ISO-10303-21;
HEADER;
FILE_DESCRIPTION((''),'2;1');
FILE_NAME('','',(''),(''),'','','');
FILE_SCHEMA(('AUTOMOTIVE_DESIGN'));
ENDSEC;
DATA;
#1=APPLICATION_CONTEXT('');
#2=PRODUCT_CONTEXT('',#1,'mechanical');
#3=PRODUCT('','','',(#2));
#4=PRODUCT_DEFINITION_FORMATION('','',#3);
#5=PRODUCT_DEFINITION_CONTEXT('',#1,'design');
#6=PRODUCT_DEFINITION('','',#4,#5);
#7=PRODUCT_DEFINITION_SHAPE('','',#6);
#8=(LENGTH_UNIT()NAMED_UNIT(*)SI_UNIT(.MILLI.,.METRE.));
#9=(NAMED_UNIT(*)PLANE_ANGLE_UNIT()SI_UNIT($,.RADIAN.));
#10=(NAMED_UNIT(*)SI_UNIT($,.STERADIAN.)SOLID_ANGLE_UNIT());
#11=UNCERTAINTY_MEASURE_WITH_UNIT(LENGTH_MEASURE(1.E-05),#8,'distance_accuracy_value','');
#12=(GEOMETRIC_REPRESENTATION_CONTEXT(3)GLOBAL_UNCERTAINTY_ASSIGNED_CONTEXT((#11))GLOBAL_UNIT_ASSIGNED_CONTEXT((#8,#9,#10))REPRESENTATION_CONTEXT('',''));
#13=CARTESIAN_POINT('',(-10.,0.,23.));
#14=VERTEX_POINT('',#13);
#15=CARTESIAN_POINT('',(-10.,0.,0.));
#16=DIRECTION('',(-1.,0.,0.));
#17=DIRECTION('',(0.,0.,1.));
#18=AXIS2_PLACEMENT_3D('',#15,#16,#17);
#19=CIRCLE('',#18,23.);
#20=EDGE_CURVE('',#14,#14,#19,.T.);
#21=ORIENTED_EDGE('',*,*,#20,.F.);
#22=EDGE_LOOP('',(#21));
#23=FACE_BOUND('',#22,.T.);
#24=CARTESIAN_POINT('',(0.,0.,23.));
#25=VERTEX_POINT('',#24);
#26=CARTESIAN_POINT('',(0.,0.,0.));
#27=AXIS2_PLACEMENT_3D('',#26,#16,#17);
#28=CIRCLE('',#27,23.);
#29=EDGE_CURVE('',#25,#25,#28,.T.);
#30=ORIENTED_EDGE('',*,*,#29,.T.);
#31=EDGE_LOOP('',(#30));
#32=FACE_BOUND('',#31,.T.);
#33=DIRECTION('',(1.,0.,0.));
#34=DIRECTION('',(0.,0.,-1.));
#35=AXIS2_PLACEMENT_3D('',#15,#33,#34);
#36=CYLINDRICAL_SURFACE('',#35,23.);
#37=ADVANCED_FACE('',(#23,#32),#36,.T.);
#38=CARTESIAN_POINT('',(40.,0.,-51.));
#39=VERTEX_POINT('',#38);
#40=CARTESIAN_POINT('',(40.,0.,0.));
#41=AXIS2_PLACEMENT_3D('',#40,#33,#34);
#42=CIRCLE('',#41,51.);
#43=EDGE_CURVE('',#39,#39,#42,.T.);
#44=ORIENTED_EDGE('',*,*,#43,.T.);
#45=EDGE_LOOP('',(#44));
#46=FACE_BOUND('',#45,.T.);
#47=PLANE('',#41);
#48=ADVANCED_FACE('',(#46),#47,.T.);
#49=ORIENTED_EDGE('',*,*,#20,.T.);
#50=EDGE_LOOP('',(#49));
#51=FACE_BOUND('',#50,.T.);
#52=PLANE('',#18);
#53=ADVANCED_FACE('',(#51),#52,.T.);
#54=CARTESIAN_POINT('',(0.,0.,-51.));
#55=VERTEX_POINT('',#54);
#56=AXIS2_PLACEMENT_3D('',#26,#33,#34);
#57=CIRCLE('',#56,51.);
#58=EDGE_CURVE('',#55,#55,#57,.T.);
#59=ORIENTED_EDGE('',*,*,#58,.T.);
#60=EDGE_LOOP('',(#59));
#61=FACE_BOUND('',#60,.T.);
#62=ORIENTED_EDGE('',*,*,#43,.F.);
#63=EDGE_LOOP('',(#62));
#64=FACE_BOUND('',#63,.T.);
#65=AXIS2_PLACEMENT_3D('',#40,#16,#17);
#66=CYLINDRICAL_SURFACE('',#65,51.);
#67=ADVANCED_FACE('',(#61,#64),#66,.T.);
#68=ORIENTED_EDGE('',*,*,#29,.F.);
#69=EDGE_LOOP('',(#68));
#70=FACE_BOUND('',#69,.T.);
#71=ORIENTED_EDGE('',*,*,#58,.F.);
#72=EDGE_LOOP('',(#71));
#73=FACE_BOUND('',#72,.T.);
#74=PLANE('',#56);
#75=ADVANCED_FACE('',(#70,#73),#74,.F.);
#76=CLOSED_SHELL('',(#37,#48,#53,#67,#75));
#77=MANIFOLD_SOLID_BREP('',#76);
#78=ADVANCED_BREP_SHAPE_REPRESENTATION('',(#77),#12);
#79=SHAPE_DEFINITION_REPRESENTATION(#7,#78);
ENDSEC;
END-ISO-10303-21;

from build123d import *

# Parameters (mm, degrees)
SKETCH_1_R      = 51
EXTRUDE_1_DEPTH = 40
SKETCH_2_R      = 23
EXTRUDE_2_DEPTH = 10


with BuildPart() as part:
    # 草图1 → 凸台-拉伸1 (new body)
    with BuildSketch(Plane(origin=(0, 0, 0), x_dir=(0, 0, -1), z_dir=(1, 0, 0))):
        Circle(SKETCH_1_R)
    extrude(amount=EXTRUDE_1_DEPTH)

    # 草图2 → 凸台-拉伸2 (add)
    with BuildSketch(Plane.ZY):
        Circle(SKETCH_2_R)
    extrude(amount=EXTRUDE_2_DEPTH)


solid = part.part
